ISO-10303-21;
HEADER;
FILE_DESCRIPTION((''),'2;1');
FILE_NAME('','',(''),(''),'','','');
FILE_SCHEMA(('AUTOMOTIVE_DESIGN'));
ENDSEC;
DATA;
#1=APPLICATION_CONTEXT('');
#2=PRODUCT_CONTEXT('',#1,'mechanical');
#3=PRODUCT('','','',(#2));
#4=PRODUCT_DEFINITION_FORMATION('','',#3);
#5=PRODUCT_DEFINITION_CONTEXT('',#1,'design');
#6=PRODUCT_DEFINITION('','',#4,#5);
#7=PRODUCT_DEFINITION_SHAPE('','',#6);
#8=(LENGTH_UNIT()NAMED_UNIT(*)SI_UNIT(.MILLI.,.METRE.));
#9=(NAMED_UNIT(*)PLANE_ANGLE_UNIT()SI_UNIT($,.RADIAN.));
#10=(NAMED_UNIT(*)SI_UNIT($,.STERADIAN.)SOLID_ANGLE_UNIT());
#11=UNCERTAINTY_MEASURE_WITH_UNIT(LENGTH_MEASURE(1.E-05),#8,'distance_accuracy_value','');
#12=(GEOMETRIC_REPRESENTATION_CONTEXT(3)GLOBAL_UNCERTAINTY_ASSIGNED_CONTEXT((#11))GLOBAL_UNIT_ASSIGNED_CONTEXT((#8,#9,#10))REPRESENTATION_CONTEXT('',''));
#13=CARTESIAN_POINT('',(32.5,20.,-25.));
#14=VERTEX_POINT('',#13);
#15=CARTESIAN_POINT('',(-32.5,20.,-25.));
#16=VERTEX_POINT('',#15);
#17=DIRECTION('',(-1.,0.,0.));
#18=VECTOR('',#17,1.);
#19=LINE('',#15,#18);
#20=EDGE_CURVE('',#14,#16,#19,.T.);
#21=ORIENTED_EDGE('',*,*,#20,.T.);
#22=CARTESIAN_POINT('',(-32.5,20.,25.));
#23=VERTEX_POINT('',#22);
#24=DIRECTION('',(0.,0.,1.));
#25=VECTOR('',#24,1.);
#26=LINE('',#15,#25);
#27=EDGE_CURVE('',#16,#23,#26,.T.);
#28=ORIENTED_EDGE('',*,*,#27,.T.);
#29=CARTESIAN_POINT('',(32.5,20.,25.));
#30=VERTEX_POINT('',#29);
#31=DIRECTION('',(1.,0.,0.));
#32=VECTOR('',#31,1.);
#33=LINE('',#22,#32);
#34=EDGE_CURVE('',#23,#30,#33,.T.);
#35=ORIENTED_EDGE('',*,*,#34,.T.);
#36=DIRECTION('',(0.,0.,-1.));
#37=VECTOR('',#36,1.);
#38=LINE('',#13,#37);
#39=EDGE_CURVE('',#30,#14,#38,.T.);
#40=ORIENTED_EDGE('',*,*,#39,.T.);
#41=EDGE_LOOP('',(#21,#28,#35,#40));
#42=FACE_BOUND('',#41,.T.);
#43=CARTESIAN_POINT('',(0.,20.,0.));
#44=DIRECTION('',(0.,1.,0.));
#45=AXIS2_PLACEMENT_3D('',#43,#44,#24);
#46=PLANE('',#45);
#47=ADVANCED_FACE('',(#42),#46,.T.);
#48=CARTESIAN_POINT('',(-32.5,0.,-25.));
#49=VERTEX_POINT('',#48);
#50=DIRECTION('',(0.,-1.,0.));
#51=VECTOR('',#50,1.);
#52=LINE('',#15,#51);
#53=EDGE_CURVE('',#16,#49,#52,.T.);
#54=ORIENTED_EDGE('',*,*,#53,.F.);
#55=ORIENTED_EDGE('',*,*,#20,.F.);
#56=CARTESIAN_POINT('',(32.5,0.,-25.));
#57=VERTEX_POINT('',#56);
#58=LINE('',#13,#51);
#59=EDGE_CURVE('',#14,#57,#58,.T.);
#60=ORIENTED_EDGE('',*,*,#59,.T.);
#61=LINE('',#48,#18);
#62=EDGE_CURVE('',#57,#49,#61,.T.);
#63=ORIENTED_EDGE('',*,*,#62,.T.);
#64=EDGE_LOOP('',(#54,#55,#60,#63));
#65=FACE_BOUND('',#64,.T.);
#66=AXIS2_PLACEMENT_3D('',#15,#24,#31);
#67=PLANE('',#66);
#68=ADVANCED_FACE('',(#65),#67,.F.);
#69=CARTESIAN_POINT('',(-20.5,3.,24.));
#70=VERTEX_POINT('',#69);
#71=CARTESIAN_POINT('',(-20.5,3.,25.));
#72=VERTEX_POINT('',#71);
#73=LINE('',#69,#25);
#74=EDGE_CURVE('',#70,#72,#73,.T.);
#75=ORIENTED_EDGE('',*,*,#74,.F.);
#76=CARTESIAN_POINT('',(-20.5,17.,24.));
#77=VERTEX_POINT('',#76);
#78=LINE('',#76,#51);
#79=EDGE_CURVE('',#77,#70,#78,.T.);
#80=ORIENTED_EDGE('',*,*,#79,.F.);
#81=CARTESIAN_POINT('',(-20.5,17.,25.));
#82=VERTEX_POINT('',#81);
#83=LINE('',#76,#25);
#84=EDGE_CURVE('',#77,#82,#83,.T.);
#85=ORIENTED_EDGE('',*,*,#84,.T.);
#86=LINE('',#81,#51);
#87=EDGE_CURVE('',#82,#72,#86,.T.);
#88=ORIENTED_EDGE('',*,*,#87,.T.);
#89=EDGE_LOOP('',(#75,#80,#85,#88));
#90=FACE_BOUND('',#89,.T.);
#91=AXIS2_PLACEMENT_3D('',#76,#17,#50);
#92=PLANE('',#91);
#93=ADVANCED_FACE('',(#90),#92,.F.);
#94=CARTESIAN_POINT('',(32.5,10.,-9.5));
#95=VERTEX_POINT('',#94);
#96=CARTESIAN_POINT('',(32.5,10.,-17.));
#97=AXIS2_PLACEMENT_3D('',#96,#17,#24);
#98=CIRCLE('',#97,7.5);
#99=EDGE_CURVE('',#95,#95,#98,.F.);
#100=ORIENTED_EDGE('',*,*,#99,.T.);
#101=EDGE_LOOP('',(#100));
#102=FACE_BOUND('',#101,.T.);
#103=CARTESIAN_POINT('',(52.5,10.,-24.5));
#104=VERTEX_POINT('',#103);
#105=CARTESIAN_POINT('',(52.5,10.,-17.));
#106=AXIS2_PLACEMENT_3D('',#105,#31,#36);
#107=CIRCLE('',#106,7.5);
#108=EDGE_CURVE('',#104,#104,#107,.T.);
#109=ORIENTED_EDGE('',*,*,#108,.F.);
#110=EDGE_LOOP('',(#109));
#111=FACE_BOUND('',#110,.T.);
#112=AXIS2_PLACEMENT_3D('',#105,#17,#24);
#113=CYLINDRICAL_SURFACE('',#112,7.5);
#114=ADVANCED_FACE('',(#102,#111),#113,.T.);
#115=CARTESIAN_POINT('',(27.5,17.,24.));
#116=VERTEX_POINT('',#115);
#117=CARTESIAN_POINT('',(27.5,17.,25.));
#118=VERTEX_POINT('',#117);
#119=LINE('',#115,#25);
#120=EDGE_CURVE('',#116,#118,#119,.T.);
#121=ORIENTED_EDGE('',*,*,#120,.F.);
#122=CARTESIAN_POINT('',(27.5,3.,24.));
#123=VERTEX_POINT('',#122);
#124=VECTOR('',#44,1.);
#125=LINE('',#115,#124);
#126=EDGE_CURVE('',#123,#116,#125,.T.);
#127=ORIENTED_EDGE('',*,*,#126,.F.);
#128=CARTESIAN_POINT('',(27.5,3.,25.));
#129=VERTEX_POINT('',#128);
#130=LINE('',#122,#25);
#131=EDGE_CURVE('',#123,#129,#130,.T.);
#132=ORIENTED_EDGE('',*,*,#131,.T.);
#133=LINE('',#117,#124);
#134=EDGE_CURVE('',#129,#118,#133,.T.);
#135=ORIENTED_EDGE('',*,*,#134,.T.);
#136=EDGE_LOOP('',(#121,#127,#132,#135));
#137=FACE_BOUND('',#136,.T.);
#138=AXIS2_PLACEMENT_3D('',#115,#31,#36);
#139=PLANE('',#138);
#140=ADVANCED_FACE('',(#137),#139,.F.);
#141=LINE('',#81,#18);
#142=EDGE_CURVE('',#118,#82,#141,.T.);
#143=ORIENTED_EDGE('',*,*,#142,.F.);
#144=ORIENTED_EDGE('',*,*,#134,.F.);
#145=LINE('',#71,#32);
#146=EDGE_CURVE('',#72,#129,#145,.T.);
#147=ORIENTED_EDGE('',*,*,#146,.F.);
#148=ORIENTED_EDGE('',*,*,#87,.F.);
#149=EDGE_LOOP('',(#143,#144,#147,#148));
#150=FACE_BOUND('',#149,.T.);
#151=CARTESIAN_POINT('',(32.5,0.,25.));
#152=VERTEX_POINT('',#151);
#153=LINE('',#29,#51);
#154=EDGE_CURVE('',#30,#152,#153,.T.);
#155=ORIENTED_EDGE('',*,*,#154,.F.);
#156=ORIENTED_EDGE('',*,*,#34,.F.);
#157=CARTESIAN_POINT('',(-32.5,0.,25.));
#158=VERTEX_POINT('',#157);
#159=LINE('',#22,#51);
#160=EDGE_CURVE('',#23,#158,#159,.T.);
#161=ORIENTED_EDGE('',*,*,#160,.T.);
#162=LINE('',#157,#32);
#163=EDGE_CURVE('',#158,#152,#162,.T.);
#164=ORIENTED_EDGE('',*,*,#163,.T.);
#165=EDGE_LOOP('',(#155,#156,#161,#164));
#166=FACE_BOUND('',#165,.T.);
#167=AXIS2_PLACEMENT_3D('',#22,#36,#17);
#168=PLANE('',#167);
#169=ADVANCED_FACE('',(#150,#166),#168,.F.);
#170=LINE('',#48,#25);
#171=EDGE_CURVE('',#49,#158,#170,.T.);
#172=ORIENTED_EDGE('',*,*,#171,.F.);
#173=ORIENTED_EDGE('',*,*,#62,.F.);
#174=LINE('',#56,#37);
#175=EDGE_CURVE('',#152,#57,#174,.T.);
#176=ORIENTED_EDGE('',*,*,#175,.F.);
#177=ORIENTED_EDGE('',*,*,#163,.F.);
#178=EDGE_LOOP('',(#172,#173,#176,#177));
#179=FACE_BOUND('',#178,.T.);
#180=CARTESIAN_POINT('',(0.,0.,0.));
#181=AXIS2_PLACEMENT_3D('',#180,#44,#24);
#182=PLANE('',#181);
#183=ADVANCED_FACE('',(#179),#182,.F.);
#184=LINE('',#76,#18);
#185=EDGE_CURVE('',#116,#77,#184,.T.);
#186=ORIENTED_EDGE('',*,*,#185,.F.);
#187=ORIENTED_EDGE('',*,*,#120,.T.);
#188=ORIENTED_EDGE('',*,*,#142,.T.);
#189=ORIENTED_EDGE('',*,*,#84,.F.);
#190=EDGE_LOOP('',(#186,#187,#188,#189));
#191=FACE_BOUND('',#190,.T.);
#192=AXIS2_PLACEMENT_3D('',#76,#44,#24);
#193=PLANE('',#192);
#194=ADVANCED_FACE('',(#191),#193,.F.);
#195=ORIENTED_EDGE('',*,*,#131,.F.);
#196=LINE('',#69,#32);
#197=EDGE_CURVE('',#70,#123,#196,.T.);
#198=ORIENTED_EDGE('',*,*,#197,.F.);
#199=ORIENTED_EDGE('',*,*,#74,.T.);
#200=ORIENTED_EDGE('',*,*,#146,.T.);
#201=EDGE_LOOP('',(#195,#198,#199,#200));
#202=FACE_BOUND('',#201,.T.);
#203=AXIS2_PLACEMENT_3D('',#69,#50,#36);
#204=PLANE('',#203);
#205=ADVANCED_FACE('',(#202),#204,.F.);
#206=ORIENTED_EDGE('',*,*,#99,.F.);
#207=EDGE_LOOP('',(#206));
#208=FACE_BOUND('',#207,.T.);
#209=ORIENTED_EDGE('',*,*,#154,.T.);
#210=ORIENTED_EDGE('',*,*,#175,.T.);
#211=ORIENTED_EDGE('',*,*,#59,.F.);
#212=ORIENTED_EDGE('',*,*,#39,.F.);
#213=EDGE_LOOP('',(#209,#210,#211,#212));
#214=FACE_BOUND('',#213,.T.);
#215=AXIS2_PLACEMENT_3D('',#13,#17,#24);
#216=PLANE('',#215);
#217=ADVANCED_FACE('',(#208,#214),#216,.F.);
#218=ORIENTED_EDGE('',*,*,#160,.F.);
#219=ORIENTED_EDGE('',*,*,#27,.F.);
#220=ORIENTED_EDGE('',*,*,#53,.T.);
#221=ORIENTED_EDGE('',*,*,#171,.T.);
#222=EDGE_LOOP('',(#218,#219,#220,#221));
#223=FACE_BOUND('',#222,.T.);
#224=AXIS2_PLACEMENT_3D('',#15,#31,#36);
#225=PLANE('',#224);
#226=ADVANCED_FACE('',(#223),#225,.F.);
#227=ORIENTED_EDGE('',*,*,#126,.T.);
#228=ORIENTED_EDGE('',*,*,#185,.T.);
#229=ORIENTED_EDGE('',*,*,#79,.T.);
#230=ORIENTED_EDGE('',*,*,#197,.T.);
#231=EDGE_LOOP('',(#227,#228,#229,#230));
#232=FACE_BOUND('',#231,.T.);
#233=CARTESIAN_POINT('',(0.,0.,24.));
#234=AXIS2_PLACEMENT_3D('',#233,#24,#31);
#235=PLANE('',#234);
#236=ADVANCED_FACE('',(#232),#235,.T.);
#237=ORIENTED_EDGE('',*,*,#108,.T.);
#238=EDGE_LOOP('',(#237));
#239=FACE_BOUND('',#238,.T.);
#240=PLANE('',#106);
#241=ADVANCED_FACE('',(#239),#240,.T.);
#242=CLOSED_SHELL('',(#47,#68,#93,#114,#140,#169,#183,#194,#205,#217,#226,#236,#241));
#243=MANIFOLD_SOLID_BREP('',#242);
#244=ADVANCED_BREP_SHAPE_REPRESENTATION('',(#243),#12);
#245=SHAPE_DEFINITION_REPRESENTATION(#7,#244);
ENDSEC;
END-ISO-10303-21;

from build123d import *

# Parameters (mm, degrees)
SKETCH2_W           = 65
SKETCH2_H           = 50
BOSS_EXTRUDE1_DEPTH = 20
SKETCH4_W           = 48
SKETCH4_H           = 14
CUT_EXTRUDE1_DEPTH  = 1
SKETCH5_R           = 7.5
BOSS_EXTRUDE2_DEPTH = 20


with BuildPart() as part:
    # Sketch2 → Boss-Extrude1 (new body)
    with BuildSketch(Plane(origin=(0, 0, 0), x_dir=(1, 0, 0), z_dir=(0, 1, 0))):
        Rectangle(SKETCH2_W, SKETCH2_H)
    extrude(amount=BOSS_EXTRUDE1_DEPTH)

    # Sketch4 → Cut-Extrude1 (cut)
    with BuildSketch(Plane.XY.offset(25)):
        with Locations((3.5, 10)):
            Rectangle(SKETCH4_W, SKETCH4_H)
    extrude(amount=-CUT_EXTRUDE1_DEPTH, mode=Mode.SUBTRACT)

    # Sketch5 → Boss-Extrude2 (add)
    with BuildSketch(Plane(origin=(32.5, 0, 0), x_dir=(0, 0, -1), z_dir=(1, 0, 0))):
        with Locations(Location((17, 10, 0), (0, 0, 180))):
            Circle(SKETCH5_R)
    extrude(amount=BOSS_EXTRUDE2_DEPTH)


solid = part.part
